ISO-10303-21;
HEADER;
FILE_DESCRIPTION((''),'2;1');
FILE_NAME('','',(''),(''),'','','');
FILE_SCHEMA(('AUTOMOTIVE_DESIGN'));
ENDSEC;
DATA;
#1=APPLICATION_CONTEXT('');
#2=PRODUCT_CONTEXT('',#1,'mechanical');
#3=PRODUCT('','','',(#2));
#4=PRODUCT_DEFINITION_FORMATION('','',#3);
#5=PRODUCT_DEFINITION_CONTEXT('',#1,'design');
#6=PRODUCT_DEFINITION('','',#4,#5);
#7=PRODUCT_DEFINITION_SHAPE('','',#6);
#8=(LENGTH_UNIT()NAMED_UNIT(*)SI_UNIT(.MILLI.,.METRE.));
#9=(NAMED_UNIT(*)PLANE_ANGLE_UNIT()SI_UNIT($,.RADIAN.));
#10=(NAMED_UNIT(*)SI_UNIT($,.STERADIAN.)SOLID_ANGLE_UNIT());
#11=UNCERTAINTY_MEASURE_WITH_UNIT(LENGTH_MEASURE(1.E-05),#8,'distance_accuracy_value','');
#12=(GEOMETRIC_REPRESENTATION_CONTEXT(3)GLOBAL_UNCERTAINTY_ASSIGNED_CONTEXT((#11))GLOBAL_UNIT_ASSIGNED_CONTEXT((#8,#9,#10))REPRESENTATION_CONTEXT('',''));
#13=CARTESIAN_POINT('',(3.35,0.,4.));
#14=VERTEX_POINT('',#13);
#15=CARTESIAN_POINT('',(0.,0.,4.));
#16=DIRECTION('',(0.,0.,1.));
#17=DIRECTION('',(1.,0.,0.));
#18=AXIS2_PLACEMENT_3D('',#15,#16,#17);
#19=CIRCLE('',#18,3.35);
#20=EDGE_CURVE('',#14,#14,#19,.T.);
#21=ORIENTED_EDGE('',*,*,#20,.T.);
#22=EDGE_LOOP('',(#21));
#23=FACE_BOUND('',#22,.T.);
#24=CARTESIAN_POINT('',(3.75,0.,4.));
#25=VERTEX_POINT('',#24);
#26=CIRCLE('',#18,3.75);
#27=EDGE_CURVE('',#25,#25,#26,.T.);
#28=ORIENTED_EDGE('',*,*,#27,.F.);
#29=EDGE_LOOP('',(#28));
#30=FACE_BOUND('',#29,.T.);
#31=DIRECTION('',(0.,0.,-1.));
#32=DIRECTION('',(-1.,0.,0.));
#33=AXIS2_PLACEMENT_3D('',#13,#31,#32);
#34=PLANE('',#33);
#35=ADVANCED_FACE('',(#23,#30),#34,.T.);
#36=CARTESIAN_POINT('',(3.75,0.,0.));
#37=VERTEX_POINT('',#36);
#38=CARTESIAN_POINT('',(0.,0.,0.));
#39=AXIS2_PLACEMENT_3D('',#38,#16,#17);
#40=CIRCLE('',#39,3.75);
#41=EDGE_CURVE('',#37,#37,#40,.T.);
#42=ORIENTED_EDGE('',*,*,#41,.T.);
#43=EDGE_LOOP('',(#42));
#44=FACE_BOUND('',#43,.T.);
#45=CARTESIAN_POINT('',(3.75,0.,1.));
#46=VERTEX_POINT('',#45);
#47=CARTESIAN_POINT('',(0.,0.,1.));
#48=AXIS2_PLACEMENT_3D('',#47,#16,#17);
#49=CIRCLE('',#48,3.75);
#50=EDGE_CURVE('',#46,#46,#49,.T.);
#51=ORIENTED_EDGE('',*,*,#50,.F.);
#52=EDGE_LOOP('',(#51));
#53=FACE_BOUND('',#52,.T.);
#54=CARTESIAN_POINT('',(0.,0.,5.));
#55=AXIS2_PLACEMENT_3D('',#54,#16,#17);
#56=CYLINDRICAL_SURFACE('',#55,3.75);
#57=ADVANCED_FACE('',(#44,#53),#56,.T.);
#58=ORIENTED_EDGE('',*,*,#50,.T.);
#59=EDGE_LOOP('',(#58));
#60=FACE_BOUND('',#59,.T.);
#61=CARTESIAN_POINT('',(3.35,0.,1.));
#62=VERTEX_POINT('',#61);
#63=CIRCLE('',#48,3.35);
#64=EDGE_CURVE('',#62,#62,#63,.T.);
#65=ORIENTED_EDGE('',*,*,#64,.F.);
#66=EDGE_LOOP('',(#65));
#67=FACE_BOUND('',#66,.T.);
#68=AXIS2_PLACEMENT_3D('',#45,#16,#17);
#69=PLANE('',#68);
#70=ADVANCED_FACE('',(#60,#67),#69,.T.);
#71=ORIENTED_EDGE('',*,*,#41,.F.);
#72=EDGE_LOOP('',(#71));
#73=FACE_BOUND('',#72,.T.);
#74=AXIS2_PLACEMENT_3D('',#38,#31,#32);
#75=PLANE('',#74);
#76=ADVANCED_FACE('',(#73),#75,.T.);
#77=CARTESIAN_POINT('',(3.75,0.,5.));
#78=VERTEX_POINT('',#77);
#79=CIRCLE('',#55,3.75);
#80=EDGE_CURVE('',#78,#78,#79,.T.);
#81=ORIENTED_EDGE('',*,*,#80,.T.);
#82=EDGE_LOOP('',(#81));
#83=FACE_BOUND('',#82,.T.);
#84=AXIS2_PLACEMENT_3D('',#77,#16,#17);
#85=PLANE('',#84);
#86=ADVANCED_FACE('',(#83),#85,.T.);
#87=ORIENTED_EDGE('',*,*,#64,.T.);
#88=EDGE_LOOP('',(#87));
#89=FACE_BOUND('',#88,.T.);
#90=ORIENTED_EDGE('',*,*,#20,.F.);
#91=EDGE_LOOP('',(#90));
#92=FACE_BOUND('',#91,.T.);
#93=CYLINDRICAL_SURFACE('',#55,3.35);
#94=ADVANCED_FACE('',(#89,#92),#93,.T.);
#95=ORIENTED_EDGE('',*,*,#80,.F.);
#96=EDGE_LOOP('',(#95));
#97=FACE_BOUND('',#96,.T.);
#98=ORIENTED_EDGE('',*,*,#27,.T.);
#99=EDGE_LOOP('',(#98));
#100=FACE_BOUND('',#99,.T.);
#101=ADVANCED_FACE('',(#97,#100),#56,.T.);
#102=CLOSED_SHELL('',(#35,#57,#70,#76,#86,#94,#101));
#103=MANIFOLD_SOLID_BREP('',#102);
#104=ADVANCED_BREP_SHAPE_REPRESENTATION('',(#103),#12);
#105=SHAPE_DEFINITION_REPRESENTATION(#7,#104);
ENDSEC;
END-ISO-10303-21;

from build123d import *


with BuildPart() as part:
    # Sketch1 → Revolve1 (revolve)
    with BuildSketch(Plane(origin=(0, 0, 0), x_dir=(1, 0, 0), z_dir=(0, 1, 0))):
        Polygon((0, 0), (3.75, 0), (3.75, -1), (3.35, -1), (3.35, -4), (3.75, -4), (3.75, -5), (0, -5), align=None)
    revolve(axis=Axis((0, 0, 5), (0, 0, -1)))


solid = part.part
